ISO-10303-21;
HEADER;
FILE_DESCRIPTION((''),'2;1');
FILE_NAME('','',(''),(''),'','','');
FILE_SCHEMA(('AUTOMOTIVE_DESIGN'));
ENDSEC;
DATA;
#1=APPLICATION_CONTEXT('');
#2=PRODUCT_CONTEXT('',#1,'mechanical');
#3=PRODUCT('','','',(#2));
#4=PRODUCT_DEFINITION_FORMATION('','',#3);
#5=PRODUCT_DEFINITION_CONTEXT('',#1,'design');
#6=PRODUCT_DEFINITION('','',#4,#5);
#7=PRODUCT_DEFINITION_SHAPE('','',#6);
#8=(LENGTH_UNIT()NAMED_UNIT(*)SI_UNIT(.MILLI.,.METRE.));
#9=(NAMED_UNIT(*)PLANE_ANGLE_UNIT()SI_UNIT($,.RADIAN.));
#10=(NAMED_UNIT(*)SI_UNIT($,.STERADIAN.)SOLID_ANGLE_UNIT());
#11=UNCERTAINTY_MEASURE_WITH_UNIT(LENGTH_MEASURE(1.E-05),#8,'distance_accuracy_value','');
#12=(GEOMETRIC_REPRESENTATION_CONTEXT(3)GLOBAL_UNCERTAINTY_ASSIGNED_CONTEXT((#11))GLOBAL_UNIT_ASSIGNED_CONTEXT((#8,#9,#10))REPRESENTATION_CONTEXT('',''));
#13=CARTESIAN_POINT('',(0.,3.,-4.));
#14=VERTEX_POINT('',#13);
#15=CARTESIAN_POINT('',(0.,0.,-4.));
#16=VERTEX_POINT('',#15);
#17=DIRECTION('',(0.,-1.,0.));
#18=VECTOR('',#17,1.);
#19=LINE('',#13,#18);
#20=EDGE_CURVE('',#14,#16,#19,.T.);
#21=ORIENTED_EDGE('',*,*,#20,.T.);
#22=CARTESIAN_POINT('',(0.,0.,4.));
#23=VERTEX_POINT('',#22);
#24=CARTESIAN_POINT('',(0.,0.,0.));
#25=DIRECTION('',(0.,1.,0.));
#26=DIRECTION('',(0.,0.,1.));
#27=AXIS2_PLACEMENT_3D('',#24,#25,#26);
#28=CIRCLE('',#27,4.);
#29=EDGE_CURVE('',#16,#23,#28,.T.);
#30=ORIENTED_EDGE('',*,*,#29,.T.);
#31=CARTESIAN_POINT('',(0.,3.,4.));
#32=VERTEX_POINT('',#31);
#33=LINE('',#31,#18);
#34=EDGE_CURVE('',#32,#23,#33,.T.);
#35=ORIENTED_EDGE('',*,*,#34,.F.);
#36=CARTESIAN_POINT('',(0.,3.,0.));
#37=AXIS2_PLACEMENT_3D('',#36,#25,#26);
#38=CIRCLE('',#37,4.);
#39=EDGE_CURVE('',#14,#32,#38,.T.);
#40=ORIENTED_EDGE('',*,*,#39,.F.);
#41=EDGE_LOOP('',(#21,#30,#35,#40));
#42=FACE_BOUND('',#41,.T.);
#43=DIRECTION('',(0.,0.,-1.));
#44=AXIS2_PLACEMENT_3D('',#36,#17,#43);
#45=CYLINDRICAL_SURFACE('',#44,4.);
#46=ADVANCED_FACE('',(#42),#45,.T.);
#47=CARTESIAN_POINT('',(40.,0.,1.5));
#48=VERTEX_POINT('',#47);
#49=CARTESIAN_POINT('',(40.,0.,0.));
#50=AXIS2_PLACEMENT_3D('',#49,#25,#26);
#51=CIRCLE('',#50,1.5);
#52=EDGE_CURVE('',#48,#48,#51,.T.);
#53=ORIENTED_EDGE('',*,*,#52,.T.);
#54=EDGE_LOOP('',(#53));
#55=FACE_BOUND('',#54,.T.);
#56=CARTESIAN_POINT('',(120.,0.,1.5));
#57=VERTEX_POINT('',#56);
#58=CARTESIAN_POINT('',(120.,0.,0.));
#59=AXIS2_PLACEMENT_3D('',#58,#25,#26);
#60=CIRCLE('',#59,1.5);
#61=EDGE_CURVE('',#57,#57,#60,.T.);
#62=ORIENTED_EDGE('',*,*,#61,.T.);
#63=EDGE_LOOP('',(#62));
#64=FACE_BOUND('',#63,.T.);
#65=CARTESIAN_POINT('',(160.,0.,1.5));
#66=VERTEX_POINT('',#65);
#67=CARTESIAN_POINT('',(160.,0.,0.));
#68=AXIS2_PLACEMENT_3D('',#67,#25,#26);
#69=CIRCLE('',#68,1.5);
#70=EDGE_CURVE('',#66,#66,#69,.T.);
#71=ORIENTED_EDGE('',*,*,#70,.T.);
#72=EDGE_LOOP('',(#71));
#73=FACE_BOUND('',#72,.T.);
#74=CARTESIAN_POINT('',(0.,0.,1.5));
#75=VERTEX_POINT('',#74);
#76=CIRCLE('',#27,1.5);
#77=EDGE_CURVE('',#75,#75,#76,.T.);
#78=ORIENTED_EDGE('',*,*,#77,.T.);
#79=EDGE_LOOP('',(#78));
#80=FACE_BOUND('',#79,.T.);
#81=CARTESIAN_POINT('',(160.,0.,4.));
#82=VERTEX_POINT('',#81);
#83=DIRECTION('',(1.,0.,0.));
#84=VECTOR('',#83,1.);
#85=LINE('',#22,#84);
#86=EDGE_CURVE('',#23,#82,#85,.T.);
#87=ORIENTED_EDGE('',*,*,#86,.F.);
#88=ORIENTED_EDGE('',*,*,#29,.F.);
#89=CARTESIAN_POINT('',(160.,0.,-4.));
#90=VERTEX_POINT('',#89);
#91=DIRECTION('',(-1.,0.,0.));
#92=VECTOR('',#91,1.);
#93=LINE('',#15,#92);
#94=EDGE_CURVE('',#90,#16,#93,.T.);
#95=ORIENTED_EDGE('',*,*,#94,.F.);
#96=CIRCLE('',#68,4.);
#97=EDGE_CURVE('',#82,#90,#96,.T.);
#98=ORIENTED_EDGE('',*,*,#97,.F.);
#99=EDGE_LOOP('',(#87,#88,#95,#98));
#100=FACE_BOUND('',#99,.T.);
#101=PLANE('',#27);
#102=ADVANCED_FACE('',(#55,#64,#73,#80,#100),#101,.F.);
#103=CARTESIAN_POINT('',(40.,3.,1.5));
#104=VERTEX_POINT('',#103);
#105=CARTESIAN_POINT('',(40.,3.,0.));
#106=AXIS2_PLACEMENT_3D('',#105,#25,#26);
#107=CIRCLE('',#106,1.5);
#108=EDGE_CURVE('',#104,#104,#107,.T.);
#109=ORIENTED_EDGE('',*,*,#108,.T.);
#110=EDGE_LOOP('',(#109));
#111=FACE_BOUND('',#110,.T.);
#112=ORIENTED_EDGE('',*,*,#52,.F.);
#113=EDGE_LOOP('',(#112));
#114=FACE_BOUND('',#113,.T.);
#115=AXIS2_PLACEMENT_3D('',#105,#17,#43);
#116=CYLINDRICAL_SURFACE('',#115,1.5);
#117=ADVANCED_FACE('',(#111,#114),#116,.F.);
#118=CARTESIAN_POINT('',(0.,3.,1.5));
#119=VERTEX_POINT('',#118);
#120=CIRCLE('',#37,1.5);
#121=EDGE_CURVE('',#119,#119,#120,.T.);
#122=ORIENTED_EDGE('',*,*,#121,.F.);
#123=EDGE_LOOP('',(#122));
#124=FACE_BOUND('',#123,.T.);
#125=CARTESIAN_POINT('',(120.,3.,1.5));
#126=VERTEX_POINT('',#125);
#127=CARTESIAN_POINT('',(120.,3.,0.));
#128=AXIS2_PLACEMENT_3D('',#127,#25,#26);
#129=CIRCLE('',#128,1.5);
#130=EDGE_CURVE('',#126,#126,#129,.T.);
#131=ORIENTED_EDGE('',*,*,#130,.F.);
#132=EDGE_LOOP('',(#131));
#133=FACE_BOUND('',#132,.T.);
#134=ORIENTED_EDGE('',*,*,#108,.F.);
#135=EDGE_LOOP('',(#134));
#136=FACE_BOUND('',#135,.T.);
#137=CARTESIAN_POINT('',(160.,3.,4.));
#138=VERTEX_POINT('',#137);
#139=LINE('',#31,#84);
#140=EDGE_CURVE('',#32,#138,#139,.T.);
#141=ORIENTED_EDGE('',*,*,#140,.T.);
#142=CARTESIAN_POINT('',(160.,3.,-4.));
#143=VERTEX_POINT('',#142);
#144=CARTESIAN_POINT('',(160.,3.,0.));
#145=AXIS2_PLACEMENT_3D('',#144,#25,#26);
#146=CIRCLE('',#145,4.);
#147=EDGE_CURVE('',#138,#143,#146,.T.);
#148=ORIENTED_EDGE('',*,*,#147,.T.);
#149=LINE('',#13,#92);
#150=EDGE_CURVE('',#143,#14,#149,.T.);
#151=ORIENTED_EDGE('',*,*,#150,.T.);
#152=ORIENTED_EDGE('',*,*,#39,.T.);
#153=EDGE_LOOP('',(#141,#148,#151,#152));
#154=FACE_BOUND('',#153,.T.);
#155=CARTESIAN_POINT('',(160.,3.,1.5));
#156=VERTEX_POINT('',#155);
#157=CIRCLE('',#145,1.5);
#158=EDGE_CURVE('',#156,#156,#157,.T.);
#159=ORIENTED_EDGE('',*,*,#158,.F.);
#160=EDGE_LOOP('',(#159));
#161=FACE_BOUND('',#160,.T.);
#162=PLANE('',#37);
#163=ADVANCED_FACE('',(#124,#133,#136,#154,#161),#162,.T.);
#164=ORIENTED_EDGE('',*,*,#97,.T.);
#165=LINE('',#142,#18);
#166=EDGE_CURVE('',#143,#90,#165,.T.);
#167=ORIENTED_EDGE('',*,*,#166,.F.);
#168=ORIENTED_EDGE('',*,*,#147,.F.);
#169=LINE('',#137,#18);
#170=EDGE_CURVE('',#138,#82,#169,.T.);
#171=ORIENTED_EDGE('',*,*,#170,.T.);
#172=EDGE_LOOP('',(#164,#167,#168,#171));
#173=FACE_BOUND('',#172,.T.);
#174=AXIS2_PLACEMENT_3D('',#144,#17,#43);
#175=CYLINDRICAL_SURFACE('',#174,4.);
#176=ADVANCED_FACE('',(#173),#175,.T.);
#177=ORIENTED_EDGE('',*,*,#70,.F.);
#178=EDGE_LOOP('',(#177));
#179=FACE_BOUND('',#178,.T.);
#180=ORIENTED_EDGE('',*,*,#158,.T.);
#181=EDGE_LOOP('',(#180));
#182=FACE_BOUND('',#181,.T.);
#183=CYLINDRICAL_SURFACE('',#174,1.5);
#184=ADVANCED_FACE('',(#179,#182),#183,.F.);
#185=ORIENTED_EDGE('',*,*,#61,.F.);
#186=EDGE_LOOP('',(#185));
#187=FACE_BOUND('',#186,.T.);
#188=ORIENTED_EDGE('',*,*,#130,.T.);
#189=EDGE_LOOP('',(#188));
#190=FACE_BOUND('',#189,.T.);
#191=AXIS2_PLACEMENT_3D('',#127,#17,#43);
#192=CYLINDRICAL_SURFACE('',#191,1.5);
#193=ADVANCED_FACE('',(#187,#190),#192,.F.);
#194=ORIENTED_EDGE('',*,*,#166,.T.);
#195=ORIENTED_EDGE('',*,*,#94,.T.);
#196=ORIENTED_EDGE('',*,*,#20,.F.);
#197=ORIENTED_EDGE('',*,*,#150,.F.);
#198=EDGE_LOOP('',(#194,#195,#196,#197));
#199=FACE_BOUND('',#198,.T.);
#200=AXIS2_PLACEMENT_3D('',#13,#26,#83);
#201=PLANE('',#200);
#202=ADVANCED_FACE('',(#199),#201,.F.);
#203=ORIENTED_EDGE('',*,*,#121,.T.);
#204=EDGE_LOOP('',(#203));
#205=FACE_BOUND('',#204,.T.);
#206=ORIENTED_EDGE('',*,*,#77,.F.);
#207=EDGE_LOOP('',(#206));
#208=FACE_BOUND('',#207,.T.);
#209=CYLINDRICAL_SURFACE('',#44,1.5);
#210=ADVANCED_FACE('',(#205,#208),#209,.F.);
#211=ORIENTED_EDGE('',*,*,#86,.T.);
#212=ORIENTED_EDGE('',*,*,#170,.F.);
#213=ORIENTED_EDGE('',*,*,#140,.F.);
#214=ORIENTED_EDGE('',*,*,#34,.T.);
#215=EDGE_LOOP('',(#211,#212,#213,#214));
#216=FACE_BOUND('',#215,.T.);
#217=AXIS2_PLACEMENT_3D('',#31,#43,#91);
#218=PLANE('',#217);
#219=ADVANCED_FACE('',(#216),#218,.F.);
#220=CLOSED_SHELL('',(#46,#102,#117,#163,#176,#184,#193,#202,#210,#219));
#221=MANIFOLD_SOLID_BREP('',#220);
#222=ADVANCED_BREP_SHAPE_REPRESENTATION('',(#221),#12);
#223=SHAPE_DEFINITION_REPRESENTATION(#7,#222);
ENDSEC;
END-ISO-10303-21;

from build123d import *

# Parameters (mm, degrees)
SKETCH1_R           = 1.5
BOSS_EXTRUDE1_DEPTH = 3
SKETCH4_R           = 1.5
CUT_EXTRUDE4_DEPTH  = 165.076201809


with BuildPart() as part:
    # Sketch1 → Boss-Extrude1 (new body)
    with BuildSketch(Plane(origin=(0, 0, 0), x_dir=(1, 0, 0), z_dir=(0, 1, 0))):
        with BuildLine():
            Line((0, 4), (160, 4))
            ThreePointArc((160, 4), (164, 0), (160, -4))
            Line((160, -4), (0, -4))
            ThreePointArc((0, -4), (-4, 0), (0, 4))
        make_face()
        with Locations(Location((0, 0, 0), (0, 0, 270))):
            Circle(SKETCH1_R, mode=Mode.SUBTRACT)
        with Locations(Location((160, 0, 0), (0, 0, 270))):
            Circle(SKETCH1_R, mode=Mode.SUBTRACT)
        with Locations(Location((120, 0, 0), (0, 0, 270))):
            Circle(SKETCH1_R, mode=Mode.SUBTRACT)
    extrude(amount=BOSS_EXTRUDE1_DEPTH)

    # Sketch4 → Cut-Extrude4 (cut, through all)
    with BuildSketch(Plane(origin=(0, 0, 0), x_dir=(1, 0, 0), z_dir=(0, 1, 0))):
        with Locations(Location((40, 0, 0), (0, 0, 270))):
            Circle(SKETCH4_R)
    extrude(amount=CUT_EXTRUDE4_DEPTH, mode=Mode.SUBTRACT)


solid = part.part
